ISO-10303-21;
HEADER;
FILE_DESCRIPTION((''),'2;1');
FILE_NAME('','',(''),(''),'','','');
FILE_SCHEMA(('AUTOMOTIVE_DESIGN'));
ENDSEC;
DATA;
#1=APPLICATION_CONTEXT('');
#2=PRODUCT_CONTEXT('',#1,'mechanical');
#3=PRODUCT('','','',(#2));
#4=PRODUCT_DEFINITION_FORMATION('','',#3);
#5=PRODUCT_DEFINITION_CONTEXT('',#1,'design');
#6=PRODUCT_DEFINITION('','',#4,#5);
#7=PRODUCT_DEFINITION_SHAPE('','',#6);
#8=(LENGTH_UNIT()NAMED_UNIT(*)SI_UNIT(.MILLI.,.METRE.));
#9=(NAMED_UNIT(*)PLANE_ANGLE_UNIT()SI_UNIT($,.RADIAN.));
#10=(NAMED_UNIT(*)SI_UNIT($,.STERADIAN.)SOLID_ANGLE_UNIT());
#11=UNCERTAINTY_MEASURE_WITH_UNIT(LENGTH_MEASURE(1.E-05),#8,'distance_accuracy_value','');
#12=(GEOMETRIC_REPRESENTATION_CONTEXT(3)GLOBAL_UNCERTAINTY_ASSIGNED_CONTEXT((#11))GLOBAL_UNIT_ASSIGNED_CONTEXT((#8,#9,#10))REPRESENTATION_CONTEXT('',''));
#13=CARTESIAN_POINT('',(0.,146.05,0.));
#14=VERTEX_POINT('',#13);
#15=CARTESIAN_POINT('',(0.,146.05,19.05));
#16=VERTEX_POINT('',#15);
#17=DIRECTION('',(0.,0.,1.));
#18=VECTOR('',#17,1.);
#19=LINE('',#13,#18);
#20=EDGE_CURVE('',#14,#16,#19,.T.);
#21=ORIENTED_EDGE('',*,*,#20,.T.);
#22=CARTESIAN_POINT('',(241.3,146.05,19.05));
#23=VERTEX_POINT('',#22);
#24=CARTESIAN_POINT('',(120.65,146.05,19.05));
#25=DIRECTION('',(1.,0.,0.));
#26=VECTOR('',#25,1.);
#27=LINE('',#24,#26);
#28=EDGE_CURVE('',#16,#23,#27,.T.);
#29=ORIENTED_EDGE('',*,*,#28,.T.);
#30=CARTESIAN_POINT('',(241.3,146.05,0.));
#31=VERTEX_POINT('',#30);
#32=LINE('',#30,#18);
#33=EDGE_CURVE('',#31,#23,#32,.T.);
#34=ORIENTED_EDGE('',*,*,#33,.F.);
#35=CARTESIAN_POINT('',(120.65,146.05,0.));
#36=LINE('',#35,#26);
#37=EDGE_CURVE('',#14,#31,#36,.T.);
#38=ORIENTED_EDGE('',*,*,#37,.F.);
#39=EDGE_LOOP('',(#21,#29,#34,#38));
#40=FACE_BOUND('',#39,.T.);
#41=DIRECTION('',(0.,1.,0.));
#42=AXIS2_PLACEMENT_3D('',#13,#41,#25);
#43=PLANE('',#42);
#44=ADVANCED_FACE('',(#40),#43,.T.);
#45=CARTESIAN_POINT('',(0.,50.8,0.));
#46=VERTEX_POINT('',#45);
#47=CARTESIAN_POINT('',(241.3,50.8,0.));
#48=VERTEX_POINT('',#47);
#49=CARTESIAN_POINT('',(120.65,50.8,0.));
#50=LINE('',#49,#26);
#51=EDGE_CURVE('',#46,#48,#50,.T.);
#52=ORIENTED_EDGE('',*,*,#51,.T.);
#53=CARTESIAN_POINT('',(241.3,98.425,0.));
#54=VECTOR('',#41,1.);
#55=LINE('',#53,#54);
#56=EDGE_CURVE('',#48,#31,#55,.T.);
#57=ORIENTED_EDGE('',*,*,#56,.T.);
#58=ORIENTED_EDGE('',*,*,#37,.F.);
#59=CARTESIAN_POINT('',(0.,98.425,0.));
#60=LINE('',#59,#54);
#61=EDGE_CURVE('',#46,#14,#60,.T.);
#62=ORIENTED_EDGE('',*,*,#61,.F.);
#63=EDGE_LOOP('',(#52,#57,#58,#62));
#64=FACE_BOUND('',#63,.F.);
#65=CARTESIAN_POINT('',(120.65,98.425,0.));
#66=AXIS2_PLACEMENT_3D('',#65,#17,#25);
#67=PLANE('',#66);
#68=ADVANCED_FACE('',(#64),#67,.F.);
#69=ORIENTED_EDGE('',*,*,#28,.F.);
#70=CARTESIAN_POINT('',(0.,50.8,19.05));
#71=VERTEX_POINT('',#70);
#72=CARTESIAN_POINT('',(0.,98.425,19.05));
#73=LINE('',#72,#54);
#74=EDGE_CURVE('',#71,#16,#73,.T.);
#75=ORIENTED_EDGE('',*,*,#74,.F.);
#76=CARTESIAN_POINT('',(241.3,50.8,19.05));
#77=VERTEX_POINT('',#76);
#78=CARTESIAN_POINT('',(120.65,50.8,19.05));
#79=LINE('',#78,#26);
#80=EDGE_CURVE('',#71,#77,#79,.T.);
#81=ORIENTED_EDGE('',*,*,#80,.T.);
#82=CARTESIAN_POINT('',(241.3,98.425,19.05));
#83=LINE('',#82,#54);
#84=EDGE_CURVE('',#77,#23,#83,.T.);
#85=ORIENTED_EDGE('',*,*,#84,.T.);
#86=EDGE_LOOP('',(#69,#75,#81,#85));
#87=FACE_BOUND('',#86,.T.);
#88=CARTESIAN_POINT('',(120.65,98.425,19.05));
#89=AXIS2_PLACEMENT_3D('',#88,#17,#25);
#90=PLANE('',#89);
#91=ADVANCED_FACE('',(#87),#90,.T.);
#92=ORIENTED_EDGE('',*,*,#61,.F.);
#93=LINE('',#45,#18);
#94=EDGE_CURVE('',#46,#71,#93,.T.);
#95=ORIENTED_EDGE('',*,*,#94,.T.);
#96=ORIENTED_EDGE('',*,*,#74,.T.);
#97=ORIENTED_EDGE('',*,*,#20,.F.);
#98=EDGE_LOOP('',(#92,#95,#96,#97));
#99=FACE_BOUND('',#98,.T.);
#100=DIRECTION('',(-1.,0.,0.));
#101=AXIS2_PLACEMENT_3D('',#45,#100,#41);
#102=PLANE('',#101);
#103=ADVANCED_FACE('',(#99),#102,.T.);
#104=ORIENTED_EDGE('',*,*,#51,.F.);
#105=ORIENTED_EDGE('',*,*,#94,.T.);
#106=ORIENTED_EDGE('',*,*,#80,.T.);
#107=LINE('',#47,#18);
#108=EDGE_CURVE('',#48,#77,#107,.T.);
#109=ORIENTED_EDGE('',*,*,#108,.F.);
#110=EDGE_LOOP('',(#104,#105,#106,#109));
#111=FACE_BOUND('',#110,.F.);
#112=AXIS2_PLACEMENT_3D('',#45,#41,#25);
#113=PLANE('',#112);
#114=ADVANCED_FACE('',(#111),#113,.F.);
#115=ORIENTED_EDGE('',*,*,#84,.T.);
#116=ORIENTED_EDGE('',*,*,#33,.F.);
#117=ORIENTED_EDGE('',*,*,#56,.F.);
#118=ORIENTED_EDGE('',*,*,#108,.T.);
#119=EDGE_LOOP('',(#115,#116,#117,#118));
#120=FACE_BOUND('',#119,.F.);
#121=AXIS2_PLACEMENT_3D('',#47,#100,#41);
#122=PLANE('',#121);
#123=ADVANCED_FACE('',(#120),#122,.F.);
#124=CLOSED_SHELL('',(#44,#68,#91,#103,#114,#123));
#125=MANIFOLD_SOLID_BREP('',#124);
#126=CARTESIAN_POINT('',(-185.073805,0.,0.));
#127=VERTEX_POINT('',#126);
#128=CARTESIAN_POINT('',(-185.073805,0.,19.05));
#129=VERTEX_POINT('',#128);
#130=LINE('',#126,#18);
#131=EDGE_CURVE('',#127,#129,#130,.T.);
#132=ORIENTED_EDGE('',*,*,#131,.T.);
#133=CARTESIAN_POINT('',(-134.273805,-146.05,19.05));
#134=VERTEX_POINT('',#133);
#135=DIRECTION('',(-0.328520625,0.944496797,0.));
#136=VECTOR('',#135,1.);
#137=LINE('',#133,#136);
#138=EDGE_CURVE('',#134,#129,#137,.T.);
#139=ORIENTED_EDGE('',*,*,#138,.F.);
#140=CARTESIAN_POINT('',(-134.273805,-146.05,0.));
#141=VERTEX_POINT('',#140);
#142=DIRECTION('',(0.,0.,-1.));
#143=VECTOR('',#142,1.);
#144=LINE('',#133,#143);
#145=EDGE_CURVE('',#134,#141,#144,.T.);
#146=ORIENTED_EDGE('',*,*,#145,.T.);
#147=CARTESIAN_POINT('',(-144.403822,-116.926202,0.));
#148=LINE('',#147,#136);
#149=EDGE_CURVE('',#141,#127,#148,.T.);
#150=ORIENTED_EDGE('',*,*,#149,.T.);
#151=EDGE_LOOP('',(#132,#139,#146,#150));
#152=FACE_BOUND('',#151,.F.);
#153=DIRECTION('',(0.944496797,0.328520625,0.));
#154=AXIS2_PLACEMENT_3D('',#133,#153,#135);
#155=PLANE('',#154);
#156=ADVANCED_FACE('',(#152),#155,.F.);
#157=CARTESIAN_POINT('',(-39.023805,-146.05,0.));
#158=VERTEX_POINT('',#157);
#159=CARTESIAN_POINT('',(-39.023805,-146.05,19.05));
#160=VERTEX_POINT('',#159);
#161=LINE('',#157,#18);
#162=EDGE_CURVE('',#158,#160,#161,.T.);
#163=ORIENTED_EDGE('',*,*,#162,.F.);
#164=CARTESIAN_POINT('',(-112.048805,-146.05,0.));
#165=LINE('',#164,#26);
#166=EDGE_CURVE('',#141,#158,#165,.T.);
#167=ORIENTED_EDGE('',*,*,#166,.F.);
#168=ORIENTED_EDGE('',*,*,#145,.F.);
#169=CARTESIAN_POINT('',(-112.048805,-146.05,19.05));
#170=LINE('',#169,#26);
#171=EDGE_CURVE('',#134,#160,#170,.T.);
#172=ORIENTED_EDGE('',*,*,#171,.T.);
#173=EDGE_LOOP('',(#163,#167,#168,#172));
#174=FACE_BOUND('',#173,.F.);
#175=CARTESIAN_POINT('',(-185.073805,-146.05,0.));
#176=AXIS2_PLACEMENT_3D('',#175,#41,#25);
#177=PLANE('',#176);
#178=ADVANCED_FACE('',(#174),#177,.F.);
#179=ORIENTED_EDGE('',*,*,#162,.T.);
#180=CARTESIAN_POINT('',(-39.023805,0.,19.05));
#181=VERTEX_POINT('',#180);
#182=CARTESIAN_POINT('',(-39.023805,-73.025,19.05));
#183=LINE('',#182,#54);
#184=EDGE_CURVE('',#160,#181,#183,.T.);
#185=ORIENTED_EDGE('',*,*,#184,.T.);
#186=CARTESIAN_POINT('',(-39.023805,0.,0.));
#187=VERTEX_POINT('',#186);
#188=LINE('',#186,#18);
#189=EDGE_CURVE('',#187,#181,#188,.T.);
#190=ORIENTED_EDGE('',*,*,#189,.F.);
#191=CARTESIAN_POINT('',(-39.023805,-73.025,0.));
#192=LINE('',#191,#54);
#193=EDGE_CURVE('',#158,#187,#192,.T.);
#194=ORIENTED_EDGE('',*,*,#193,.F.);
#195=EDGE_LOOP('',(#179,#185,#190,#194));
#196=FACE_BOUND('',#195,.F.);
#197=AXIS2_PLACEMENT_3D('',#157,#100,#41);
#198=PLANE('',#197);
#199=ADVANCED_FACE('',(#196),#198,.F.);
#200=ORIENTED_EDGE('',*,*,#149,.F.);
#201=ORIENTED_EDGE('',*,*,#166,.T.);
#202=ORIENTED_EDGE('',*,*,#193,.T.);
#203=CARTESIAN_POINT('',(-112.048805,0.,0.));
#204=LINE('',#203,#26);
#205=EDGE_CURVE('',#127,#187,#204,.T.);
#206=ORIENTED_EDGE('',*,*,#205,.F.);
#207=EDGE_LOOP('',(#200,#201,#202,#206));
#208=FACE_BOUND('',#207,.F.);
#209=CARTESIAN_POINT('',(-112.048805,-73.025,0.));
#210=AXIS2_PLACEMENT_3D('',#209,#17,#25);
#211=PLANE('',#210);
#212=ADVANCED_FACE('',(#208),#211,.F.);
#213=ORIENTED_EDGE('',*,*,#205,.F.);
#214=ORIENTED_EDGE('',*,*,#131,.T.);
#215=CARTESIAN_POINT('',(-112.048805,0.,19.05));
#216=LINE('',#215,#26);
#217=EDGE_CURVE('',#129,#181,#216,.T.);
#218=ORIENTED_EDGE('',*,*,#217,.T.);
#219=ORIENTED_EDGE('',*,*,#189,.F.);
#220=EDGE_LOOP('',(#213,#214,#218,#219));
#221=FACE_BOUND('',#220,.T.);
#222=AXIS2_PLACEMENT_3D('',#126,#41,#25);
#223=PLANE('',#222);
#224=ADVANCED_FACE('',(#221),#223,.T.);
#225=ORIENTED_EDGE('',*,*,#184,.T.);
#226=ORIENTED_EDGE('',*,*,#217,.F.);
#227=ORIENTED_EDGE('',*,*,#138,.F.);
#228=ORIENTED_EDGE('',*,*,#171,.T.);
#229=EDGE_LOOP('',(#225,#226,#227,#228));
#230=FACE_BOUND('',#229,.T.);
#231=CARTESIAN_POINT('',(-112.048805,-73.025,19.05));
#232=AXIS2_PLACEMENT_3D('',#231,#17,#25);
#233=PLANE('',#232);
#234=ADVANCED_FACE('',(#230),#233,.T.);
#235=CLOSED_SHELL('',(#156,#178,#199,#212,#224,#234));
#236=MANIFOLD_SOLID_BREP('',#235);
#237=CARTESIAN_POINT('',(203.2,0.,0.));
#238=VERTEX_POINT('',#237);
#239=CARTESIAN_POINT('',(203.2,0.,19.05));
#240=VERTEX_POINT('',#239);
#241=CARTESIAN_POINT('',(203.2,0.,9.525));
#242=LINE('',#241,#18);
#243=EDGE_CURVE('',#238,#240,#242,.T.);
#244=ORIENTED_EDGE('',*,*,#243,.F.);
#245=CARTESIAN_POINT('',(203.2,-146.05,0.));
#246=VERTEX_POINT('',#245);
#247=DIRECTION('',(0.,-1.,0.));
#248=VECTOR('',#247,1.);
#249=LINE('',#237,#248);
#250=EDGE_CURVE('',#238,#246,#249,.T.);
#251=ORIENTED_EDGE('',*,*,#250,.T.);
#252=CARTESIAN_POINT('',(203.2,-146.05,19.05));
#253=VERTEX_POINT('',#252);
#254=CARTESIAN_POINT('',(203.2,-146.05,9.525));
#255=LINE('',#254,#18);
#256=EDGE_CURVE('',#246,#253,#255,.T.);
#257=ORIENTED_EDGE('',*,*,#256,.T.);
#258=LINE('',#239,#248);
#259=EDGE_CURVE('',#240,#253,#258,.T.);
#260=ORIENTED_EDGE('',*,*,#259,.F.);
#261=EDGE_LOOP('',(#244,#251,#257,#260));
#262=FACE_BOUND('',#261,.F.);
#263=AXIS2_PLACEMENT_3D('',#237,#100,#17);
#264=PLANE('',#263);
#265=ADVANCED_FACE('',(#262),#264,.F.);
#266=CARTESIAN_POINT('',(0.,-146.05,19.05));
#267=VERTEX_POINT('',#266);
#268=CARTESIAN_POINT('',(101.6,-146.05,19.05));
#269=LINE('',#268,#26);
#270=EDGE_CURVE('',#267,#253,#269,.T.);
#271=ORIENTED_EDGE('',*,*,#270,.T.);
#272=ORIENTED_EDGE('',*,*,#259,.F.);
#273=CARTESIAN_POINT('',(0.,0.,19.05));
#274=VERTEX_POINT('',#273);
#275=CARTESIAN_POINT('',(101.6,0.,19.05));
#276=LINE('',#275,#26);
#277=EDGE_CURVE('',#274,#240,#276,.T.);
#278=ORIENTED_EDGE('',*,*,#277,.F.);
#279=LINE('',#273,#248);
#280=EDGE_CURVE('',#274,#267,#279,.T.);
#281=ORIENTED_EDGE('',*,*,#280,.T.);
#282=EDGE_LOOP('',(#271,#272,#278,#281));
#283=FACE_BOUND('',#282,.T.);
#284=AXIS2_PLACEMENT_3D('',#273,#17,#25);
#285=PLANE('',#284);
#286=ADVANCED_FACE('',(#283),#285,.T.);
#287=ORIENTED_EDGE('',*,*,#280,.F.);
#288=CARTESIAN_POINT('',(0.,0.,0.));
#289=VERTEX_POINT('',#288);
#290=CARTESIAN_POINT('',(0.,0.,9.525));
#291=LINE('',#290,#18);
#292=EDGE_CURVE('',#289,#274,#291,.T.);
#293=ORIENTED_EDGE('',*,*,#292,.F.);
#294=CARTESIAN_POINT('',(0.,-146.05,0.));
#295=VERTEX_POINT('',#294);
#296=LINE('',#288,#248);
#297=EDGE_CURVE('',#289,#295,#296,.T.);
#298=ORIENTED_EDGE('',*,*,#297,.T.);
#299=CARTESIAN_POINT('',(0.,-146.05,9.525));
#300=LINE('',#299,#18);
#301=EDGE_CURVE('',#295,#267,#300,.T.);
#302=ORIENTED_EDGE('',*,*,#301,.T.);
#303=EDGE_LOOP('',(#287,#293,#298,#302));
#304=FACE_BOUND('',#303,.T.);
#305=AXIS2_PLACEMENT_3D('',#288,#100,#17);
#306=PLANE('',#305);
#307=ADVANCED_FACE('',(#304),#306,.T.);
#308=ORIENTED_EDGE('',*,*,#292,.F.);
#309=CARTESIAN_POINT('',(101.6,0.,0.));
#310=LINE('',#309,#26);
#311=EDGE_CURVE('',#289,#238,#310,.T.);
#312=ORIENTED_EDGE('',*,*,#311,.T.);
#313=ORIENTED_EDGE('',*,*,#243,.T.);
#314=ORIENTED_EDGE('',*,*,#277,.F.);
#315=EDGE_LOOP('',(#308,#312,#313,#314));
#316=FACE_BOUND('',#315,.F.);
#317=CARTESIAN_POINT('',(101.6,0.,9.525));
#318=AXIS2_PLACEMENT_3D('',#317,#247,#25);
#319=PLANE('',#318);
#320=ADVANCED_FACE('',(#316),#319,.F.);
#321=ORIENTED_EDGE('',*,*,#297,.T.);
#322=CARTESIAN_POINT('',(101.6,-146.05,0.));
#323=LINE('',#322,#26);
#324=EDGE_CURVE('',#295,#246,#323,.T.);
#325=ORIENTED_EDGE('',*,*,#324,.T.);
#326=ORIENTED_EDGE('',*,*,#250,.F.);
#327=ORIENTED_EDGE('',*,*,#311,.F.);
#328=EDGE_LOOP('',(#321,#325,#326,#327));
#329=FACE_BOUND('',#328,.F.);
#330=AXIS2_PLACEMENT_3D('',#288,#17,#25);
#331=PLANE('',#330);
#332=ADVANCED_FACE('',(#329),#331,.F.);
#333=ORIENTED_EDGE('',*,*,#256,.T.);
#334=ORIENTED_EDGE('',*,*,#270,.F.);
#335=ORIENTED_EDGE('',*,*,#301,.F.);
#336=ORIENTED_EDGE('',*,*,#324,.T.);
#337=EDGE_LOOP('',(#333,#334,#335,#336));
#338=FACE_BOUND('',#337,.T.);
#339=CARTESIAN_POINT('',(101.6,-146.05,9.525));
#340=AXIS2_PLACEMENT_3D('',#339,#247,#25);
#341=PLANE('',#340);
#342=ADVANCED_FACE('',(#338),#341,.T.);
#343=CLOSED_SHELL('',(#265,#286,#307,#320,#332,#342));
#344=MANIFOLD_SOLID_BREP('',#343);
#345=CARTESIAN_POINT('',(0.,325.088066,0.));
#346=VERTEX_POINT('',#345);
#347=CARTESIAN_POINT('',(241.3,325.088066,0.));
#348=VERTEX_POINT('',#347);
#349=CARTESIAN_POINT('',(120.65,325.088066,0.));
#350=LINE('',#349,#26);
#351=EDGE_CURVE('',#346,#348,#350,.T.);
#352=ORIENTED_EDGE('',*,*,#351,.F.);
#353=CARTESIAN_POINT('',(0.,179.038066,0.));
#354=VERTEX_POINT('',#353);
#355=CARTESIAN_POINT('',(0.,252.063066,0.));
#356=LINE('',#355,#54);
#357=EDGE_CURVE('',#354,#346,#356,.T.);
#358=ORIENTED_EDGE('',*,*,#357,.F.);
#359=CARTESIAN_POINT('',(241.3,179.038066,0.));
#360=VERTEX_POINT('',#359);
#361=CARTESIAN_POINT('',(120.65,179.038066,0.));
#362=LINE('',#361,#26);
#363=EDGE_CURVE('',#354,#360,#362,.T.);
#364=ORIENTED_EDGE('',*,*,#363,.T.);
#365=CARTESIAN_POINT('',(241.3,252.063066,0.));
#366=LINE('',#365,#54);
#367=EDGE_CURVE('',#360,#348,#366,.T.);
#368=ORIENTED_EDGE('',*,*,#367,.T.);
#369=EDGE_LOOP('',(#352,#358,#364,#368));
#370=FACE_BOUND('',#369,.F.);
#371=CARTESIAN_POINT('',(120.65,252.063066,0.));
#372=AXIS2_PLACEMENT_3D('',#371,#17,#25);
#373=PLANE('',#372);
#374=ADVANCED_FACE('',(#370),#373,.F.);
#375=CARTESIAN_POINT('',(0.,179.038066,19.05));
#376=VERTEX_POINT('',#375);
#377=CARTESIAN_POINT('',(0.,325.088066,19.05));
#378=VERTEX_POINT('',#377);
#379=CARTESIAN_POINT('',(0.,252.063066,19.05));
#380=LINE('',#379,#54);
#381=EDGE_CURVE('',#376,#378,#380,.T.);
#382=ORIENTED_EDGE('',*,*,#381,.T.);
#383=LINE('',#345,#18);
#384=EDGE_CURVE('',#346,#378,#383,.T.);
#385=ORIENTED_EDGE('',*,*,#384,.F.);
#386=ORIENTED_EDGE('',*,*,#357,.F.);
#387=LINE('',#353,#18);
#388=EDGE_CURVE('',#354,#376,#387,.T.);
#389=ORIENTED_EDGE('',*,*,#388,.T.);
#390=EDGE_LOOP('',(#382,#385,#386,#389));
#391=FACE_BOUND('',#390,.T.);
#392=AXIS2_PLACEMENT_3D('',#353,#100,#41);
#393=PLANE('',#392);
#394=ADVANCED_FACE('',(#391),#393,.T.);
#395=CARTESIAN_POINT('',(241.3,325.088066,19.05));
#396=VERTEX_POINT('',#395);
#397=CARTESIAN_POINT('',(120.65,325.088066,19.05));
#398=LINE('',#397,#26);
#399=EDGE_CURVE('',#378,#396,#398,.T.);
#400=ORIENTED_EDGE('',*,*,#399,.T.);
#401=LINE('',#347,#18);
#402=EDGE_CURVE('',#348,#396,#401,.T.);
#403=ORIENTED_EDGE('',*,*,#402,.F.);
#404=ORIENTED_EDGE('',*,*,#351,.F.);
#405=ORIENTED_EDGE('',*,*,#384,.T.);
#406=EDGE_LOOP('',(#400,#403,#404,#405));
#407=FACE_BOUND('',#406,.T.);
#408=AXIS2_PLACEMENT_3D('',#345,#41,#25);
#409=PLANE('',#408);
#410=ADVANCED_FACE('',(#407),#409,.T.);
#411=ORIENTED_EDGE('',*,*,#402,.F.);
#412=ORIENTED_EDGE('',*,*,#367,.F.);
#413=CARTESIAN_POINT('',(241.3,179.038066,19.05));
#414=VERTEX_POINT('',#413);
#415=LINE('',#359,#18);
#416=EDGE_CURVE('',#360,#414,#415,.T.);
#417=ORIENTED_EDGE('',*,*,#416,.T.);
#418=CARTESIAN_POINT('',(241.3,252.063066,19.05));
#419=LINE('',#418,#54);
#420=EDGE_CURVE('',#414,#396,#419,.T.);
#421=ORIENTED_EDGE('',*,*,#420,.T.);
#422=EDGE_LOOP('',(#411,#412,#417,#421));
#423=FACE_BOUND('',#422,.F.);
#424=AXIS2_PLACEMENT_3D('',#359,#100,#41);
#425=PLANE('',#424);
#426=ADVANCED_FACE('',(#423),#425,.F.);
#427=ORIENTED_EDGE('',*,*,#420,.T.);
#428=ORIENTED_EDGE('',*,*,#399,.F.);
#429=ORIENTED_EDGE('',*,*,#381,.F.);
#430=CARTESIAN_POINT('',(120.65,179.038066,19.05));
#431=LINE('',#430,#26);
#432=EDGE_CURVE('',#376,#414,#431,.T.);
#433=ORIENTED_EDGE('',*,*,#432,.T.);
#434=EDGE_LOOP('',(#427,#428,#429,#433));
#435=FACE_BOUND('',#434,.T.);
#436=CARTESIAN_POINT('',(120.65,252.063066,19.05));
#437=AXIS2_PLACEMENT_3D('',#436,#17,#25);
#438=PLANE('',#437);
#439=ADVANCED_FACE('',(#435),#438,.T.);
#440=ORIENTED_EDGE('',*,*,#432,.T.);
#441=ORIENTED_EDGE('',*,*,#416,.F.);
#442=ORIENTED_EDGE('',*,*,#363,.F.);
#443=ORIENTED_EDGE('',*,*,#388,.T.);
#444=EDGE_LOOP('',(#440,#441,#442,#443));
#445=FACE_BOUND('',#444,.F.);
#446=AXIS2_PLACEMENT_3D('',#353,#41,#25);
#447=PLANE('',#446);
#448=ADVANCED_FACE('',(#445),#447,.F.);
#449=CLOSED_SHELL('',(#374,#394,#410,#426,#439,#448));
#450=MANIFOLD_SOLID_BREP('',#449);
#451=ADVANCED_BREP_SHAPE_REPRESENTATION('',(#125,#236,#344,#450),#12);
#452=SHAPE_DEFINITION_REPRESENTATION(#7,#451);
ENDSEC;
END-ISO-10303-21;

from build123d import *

# Parameters (mm, degrees)
F0_W     = 203.2
F0_H     = 19.05
F1_DEPTH = 146.05
F2_W     = 241.3
F2_H     = 95.25
F3_DEPTH = 19.05
F4_W     = 241.3
F4_H     = 146.05
F5_DEPTH = 19.05
F6_W     = 146.05
F6_H     = 146.05
F7_DEPTH = 19.05
F9_DEPTH = 19.051


with BuildPart() as f1:
    # F0 (on Front) → F1 (new body)
    with BuildSketch(Plane.XZ):
        with Locations((101.6, 9.525)):
            Rectangle(F0_W, F0_H)
    extrude(amount=F1_DEPTH)


with BuildPart() as f3:
    # F2 (on Top) → F3 (new body)
    with BuildSketch(Plane.XY):
        with Locations((120.65, 98.425)):
            Rectangle(F2_W, F2_H)
    extrude(amount=F3_DEPTH)


with BuildPart() as f5:
    # F4 (on Top) → F5 (new body)
    with BuildSketch(Plane.XY):
        with Locations((120.65, 252.063066)):
            Rectangle(F4_W, F4_H)
    extrude(amount=F5_DEPTH)


with BuildPart() as f7:
    # F6 (on Top) → F7 (new body)
    with BuildSketch(Plane.XY):
        with Locations((-112.048805, -73.025)):
            Rectangle(F6_W, F6_H)
    extrude(amount=F7_DEPTH)

    # F8 (on face) → F9 (cut, through all)
    with BuildSketch(Plane.XY.offset(19.05)):
        Polygon((-134.273805, -146.05), (-185.073805, 0), (-185.073805, -146.05), align=None)
    extrude(amount=-F9_DEPTH, mode=Mode.SUBTRACT)


solid = Compound([f1.part, f3.part, f5.part, f7.part])
